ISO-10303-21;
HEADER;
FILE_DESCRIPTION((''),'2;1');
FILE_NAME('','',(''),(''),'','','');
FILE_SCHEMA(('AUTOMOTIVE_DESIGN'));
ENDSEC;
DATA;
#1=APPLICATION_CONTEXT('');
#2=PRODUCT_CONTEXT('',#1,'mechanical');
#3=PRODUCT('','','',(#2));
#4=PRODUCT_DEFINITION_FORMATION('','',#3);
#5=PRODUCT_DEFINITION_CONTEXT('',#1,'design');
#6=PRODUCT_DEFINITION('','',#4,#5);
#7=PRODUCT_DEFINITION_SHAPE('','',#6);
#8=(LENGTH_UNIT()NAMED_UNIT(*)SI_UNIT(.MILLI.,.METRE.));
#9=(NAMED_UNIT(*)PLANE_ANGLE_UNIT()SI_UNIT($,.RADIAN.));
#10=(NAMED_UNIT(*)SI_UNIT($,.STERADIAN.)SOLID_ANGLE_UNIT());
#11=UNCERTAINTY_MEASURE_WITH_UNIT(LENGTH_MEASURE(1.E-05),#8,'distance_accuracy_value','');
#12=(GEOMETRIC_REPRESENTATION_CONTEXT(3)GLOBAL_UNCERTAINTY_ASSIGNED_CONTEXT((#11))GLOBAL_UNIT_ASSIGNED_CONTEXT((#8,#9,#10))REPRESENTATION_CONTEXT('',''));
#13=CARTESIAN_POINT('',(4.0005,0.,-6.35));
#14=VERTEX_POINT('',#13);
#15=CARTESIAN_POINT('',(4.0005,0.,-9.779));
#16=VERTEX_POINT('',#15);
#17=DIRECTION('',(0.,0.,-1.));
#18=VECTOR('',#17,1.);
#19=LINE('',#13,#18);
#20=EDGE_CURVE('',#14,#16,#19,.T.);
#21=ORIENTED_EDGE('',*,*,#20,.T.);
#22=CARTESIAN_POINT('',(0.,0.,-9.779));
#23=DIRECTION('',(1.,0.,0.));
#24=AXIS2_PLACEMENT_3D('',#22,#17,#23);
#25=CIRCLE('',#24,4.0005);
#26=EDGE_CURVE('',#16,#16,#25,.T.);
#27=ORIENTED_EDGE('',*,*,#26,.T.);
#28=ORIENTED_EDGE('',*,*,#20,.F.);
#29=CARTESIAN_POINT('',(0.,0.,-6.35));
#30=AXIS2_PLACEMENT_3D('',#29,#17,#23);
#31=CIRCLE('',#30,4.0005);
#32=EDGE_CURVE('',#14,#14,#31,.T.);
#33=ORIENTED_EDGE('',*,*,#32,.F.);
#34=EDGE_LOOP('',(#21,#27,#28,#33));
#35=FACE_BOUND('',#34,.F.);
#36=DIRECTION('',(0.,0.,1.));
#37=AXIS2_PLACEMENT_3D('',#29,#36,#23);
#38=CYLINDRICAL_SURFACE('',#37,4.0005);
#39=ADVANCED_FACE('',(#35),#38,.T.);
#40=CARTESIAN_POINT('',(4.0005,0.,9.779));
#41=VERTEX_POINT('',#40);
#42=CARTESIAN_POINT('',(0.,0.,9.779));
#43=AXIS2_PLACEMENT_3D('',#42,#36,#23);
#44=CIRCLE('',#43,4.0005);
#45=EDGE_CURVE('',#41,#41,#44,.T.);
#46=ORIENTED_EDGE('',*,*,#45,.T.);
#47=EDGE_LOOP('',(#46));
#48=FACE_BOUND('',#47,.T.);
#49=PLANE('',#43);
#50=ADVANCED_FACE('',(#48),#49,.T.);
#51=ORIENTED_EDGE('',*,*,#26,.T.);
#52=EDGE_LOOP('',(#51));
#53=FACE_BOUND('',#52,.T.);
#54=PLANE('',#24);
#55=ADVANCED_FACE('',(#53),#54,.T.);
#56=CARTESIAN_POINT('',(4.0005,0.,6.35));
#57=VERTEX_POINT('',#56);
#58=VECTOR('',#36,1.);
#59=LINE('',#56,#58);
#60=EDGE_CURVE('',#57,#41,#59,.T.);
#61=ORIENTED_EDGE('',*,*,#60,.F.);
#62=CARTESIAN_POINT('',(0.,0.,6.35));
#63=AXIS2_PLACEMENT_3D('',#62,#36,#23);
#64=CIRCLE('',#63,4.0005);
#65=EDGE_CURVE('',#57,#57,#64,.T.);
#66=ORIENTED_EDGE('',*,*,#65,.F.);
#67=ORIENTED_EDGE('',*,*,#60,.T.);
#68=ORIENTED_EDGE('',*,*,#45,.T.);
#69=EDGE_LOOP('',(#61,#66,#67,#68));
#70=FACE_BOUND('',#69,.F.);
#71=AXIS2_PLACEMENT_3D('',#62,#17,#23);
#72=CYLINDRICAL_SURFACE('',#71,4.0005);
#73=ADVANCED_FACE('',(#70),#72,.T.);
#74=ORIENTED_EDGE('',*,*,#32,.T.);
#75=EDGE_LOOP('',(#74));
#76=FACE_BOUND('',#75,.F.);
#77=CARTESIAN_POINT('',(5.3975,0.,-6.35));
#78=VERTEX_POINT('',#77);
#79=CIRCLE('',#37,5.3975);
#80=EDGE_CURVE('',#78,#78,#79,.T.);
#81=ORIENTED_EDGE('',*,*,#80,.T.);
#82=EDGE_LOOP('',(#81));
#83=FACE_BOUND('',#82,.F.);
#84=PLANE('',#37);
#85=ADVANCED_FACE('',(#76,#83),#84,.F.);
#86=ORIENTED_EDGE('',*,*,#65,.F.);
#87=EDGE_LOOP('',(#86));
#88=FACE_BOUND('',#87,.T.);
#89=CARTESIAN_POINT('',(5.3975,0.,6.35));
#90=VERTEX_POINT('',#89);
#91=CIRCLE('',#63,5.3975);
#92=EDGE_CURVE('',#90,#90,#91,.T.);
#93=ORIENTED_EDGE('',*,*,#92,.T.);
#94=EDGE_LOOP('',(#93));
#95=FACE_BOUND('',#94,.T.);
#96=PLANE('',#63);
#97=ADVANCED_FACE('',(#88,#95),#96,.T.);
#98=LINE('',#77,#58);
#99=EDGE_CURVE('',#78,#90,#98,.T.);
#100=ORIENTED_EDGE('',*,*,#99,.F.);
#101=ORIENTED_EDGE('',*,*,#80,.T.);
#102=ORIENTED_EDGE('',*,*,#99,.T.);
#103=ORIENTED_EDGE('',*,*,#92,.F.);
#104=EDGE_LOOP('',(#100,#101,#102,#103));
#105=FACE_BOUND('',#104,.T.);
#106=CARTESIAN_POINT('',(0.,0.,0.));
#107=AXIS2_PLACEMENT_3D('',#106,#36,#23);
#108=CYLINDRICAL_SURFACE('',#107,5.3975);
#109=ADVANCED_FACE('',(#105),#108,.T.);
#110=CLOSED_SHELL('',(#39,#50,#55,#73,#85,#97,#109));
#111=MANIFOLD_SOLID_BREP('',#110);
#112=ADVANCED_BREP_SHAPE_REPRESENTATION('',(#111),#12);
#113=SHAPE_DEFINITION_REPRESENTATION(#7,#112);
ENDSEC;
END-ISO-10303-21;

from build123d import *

# Parameters (mm, degrees)
F0_R     = 5.3975
F1_DEPTH = 6.35
F2_R     = 4.0005
F3_DEPTH = 3.429
F4_R     = 4.0005
F5_DEPTH = 3.429


with BuildPart() as f1:
    # F0 (on Top) → F1 (new body, symmetric)
    with BuildSketch(Plane.XY):
        Circle(F0_R)
    extrude(amount=F1_DEPTH, both=True)

    # F2 (on face) → F3 (join)
    with BuildSketch(Plane(origin=(0, 0, -6.35), x_dir=(1, 0, 0), z_dir=(0, 0, -1))):
        Circle(F2_R)
    extrude(amount=F3_DEPTH)

    # F4 (on face) → F5 (join)
    with BuildSketch(Plane.XY.offset(6.35)):
        Circle(F4_R)
    extrude(amount=F5_DEPTH)


solid = f1.part
